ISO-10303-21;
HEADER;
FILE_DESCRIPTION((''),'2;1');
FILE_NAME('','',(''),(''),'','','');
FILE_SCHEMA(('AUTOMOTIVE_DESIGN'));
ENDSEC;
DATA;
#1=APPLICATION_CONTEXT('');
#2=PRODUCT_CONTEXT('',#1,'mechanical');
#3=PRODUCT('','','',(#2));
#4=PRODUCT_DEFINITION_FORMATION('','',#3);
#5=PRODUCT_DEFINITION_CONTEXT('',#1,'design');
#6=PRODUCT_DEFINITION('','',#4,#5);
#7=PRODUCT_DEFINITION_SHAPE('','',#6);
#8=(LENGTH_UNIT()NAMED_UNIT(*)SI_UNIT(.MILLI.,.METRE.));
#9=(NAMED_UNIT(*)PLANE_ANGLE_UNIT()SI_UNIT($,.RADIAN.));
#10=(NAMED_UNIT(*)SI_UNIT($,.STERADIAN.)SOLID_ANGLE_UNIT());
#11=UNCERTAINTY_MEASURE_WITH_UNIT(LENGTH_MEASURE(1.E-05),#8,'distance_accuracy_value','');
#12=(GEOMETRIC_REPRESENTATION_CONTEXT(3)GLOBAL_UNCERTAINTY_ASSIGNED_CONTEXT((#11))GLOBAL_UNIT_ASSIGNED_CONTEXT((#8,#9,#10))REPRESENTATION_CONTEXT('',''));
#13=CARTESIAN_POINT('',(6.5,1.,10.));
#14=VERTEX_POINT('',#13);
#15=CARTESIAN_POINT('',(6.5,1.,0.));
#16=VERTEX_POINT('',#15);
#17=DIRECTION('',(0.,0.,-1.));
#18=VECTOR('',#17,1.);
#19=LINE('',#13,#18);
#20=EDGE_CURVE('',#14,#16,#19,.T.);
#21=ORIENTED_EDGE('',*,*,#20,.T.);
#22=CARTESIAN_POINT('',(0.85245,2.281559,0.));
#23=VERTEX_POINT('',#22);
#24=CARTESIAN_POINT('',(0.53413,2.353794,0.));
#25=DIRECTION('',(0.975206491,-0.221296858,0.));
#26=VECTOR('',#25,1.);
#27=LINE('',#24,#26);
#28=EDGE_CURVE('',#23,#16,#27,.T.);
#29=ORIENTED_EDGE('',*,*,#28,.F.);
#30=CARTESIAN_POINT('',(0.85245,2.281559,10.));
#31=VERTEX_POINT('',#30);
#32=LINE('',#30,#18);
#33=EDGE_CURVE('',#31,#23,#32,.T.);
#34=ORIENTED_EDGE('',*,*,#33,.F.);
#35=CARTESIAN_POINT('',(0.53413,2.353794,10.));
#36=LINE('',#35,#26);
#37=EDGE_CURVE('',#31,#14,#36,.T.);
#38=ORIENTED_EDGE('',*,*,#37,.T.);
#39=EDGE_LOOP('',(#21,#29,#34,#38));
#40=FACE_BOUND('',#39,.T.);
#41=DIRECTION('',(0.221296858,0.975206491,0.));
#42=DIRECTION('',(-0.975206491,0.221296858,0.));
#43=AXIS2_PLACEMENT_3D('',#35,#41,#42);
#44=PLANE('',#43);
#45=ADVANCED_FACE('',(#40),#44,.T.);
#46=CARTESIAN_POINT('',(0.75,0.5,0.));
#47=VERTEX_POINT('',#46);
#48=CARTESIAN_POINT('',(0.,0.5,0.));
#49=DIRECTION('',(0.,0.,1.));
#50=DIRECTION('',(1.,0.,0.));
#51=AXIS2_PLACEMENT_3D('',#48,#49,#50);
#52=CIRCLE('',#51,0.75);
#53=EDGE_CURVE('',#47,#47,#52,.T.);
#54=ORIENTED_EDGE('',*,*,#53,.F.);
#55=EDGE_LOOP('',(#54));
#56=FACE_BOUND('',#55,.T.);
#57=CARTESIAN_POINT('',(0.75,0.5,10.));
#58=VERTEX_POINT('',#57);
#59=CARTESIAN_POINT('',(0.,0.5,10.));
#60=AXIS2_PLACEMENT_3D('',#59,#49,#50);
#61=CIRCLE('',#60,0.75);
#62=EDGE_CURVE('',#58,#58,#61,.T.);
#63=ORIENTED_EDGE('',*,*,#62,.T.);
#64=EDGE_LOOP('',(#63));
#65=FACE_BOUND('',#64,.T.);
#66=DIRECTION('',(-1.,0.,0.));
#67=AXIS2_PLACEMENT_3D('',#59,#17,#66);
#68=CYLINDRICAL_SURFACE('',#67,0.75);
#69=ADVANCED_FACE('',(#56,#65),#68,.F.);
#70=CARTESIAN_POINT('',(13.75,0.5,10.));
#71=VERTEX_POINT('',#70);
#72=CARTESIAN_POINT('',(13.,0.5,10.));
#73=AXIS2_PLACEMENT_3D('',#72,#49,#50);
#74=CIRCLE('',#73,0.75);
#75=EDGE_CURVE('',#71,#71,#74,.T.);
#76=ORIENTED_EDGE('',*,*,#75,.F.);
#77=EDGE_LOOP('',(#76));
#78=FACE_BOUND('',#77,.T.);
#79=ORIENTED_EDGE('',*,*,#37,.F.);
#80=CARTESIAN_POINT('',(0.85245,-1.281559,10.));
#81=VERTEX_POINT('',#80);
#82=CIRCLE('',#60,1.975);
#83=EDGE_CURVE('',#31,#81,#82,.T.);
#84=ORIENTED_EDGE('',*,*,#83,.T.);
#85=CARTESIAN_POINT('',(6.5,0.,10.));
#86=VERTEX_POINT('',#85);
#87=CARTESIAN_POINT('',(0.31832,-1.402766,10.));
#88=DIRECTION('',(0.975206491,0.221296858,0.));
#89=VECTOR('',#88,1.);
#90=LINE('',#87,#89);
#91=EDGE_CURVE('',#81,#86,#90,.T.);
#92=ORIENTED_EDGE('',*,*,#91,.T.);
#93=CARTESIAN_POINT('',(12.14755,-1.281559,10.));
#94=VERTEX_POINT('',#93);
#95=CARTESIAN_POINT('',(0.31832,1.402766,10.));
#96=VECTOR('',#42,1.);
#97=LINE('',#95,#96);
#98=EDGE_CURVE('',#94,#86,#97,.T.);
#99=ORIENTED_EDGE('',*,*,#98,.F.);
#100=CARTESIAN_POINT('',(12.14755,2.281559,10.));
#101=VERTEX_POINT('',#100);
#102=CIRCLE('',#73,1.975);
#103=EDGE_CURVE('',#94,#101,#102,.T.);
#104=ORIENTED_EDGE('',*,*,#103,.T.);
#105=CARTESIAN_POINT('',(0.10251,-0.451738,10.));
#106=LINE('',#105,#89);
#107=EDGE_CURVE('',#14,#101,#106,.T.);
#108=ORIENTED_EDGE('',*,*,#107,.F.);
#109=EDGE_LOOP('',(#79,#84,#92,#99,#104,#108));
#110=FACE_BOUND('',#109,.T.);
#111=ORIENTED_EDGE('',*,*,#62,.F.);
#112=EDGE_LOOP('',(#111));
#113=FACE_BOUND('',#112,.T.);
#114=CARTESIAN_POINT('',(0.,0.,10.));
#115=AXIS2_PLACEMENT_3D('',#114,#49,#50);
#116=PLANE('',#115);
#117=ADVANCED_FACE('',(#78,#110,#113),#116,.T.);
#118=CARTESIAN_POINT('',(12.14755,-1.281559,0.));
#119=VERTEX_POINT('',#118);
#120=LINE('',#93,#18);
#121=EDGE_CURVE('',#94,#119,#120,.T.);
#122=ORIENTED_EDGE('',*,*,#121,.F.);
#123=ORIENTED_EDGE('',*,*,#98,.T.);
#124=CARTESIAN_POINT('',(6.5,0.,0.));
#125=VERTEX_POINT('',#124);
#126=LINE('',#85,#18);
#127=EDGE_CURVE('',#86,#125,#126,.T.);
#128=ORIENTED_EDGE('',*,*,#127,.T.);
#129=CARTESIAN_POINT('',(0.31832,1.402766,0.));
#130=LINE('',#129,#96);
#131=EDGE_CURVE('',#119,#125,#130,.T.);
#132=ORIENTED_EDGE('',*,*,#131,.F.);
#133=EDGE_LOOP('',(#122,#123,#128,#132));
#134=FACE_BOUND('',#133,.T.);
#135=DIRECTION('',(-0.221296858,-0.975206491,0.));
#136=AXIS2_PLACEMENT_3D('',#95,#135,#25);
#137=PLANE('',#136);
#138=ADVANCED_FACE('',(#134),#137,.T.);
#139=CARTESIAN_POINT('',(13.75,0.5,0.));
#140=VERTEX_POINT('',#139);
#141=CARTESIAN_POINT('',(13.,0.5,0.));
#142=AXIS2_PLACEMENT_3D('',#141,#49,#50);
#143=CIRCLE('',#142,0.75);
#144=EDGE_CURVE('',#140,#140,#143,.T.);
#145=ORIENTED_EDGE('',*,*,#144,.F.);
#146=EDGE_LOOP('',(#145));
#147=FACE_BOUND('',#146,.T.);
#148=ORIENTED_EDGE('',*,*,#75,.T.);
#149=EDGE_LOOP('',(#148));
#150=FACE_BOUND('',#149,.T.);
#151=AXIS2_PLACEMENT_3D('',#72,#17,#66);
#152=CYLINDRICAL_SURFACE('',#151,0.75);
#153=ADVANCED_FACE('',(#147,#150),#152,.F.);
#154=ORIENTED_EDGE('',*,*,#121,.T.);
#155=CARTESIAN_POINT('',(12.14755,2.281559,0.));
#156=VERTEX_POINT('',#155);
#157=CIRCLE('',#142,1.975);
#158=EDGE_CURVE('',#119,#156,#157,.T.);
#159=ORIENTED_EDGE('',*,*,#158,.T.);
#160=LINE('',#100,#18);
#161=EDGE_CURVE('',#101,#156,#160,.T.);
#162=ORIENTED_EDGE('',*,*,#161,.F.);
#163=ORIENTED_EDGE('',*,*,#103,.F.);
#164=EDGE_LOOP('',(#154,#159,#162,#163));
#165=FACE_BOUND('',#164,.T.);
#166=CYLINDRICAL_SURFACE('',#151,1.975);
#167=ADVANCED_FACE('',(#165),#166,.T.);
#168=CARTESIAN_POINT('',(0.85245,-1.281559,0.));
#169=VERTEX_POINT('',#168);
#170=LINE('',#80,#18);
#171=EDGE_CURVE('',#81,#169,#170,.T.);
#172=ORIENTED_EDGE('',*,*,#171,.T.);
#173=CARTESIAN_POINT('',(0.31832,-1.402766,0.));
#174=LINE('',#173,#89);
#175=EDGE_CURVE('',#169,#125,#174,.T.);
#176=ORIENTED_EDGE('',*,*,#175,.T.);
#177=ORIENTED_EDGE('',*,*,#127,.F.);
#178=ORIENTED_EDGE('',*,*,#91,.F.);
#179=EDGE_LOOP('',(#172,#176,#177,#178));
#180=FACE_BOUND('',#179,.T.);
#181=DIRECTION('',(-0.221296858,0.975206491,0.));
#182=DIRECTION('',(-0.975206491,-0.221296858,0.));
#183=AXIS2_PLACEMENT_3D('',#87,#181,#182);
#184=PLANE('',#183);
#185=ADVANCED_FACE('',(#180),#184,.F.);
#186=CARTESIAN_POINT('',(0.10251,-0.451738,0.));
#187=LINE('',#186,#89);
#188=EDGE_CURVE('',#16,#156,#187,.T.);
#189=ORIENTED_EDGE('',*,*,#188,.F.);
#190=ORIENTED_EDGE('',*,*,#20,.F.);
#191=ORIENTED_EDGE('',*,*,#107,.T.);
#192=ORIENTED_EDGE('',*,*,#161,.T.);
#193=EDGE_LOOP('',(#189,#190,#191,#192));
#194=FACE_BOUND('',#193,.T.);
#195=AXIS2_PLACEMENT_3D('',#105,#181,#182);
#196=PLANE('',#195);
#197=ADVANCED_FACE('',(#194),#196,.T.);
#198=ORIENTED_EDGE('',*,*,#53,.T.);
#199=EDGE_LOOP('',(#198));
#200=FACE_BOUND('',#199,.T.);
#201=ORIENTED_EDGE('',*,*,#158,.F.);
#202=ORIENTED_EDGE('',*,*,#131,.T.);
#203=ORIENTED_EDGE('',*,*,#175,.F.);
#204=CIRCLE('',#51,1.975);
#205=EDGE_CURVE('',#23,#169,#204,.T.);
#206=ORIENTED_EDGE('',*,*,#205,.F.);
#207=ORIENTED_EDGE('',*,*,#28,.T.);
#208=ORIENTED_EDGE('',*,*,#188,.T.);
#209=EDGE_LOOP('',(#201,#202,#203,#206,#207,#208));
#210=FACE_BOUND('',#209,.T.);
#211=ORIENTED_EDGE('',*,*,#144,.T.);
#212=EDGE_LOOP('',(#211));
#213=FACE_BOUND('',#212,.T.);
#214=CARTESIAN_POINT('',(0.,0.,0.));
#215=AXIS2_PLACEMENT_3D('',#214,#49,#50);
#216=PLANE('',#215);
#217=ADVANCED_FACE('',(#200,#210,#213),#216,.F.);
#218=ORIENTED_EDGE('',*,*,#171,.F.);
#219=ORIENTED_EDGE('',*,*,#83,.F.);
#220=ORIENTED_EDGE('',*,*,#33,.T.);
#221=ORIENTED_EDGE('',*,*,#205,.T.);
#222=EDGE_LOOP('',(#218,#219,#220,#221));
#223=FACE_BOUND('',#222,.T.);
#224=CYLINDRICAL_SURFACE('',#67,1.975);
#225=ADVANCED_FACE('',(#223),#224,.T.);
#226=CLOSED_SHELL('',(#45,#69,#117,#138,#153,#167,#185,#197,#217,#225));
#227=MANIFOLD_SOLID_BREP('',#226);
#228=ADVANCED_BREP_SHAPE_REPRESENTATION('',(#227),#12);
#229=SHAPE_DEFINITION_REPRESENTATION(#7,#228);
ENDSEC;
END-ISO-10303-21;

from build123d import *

# Parameters (mm, degrees)
SKETCH1_R           = 0.75
BOSS_EXTRUDE1_DEPTH = 10


with BuildPart() as part:
    # Sketch1 → Boss-Extrude1 (new body)
    with BuildSketch(Plane.XY):
        with BuildLine():
            Line((12.147549978, 2.281559418), (6.5, 1))
            Line((6.5, 1), (0.852450022, 2.281559418))
            ThreePointArc((0.852450022, 2.281559418), (-1.975, 0.5), (0.852450022, -1.281559418))
            Line((0.852450022, -1.281559418), (6.5, 0))
            Line((6.5, 0), (12.147549978, -1.281559418))
            ThreePointArc((12.147549978, -1.281559418), (14.975, 0.5), (12.147549978, 2.281559418))
        make_face()
        with Locations((0, 0.5)):
            Circle(SKETCH1_R, mode=Mode.SUBTRACT)
        with Locations((13, 0.5)):
            Circle(SKETCH1_R, mode=Mode.SUBTRACT)
    extrude(amount=BOSS_EXTRUDE1_DEPTH)


solid = part.part
